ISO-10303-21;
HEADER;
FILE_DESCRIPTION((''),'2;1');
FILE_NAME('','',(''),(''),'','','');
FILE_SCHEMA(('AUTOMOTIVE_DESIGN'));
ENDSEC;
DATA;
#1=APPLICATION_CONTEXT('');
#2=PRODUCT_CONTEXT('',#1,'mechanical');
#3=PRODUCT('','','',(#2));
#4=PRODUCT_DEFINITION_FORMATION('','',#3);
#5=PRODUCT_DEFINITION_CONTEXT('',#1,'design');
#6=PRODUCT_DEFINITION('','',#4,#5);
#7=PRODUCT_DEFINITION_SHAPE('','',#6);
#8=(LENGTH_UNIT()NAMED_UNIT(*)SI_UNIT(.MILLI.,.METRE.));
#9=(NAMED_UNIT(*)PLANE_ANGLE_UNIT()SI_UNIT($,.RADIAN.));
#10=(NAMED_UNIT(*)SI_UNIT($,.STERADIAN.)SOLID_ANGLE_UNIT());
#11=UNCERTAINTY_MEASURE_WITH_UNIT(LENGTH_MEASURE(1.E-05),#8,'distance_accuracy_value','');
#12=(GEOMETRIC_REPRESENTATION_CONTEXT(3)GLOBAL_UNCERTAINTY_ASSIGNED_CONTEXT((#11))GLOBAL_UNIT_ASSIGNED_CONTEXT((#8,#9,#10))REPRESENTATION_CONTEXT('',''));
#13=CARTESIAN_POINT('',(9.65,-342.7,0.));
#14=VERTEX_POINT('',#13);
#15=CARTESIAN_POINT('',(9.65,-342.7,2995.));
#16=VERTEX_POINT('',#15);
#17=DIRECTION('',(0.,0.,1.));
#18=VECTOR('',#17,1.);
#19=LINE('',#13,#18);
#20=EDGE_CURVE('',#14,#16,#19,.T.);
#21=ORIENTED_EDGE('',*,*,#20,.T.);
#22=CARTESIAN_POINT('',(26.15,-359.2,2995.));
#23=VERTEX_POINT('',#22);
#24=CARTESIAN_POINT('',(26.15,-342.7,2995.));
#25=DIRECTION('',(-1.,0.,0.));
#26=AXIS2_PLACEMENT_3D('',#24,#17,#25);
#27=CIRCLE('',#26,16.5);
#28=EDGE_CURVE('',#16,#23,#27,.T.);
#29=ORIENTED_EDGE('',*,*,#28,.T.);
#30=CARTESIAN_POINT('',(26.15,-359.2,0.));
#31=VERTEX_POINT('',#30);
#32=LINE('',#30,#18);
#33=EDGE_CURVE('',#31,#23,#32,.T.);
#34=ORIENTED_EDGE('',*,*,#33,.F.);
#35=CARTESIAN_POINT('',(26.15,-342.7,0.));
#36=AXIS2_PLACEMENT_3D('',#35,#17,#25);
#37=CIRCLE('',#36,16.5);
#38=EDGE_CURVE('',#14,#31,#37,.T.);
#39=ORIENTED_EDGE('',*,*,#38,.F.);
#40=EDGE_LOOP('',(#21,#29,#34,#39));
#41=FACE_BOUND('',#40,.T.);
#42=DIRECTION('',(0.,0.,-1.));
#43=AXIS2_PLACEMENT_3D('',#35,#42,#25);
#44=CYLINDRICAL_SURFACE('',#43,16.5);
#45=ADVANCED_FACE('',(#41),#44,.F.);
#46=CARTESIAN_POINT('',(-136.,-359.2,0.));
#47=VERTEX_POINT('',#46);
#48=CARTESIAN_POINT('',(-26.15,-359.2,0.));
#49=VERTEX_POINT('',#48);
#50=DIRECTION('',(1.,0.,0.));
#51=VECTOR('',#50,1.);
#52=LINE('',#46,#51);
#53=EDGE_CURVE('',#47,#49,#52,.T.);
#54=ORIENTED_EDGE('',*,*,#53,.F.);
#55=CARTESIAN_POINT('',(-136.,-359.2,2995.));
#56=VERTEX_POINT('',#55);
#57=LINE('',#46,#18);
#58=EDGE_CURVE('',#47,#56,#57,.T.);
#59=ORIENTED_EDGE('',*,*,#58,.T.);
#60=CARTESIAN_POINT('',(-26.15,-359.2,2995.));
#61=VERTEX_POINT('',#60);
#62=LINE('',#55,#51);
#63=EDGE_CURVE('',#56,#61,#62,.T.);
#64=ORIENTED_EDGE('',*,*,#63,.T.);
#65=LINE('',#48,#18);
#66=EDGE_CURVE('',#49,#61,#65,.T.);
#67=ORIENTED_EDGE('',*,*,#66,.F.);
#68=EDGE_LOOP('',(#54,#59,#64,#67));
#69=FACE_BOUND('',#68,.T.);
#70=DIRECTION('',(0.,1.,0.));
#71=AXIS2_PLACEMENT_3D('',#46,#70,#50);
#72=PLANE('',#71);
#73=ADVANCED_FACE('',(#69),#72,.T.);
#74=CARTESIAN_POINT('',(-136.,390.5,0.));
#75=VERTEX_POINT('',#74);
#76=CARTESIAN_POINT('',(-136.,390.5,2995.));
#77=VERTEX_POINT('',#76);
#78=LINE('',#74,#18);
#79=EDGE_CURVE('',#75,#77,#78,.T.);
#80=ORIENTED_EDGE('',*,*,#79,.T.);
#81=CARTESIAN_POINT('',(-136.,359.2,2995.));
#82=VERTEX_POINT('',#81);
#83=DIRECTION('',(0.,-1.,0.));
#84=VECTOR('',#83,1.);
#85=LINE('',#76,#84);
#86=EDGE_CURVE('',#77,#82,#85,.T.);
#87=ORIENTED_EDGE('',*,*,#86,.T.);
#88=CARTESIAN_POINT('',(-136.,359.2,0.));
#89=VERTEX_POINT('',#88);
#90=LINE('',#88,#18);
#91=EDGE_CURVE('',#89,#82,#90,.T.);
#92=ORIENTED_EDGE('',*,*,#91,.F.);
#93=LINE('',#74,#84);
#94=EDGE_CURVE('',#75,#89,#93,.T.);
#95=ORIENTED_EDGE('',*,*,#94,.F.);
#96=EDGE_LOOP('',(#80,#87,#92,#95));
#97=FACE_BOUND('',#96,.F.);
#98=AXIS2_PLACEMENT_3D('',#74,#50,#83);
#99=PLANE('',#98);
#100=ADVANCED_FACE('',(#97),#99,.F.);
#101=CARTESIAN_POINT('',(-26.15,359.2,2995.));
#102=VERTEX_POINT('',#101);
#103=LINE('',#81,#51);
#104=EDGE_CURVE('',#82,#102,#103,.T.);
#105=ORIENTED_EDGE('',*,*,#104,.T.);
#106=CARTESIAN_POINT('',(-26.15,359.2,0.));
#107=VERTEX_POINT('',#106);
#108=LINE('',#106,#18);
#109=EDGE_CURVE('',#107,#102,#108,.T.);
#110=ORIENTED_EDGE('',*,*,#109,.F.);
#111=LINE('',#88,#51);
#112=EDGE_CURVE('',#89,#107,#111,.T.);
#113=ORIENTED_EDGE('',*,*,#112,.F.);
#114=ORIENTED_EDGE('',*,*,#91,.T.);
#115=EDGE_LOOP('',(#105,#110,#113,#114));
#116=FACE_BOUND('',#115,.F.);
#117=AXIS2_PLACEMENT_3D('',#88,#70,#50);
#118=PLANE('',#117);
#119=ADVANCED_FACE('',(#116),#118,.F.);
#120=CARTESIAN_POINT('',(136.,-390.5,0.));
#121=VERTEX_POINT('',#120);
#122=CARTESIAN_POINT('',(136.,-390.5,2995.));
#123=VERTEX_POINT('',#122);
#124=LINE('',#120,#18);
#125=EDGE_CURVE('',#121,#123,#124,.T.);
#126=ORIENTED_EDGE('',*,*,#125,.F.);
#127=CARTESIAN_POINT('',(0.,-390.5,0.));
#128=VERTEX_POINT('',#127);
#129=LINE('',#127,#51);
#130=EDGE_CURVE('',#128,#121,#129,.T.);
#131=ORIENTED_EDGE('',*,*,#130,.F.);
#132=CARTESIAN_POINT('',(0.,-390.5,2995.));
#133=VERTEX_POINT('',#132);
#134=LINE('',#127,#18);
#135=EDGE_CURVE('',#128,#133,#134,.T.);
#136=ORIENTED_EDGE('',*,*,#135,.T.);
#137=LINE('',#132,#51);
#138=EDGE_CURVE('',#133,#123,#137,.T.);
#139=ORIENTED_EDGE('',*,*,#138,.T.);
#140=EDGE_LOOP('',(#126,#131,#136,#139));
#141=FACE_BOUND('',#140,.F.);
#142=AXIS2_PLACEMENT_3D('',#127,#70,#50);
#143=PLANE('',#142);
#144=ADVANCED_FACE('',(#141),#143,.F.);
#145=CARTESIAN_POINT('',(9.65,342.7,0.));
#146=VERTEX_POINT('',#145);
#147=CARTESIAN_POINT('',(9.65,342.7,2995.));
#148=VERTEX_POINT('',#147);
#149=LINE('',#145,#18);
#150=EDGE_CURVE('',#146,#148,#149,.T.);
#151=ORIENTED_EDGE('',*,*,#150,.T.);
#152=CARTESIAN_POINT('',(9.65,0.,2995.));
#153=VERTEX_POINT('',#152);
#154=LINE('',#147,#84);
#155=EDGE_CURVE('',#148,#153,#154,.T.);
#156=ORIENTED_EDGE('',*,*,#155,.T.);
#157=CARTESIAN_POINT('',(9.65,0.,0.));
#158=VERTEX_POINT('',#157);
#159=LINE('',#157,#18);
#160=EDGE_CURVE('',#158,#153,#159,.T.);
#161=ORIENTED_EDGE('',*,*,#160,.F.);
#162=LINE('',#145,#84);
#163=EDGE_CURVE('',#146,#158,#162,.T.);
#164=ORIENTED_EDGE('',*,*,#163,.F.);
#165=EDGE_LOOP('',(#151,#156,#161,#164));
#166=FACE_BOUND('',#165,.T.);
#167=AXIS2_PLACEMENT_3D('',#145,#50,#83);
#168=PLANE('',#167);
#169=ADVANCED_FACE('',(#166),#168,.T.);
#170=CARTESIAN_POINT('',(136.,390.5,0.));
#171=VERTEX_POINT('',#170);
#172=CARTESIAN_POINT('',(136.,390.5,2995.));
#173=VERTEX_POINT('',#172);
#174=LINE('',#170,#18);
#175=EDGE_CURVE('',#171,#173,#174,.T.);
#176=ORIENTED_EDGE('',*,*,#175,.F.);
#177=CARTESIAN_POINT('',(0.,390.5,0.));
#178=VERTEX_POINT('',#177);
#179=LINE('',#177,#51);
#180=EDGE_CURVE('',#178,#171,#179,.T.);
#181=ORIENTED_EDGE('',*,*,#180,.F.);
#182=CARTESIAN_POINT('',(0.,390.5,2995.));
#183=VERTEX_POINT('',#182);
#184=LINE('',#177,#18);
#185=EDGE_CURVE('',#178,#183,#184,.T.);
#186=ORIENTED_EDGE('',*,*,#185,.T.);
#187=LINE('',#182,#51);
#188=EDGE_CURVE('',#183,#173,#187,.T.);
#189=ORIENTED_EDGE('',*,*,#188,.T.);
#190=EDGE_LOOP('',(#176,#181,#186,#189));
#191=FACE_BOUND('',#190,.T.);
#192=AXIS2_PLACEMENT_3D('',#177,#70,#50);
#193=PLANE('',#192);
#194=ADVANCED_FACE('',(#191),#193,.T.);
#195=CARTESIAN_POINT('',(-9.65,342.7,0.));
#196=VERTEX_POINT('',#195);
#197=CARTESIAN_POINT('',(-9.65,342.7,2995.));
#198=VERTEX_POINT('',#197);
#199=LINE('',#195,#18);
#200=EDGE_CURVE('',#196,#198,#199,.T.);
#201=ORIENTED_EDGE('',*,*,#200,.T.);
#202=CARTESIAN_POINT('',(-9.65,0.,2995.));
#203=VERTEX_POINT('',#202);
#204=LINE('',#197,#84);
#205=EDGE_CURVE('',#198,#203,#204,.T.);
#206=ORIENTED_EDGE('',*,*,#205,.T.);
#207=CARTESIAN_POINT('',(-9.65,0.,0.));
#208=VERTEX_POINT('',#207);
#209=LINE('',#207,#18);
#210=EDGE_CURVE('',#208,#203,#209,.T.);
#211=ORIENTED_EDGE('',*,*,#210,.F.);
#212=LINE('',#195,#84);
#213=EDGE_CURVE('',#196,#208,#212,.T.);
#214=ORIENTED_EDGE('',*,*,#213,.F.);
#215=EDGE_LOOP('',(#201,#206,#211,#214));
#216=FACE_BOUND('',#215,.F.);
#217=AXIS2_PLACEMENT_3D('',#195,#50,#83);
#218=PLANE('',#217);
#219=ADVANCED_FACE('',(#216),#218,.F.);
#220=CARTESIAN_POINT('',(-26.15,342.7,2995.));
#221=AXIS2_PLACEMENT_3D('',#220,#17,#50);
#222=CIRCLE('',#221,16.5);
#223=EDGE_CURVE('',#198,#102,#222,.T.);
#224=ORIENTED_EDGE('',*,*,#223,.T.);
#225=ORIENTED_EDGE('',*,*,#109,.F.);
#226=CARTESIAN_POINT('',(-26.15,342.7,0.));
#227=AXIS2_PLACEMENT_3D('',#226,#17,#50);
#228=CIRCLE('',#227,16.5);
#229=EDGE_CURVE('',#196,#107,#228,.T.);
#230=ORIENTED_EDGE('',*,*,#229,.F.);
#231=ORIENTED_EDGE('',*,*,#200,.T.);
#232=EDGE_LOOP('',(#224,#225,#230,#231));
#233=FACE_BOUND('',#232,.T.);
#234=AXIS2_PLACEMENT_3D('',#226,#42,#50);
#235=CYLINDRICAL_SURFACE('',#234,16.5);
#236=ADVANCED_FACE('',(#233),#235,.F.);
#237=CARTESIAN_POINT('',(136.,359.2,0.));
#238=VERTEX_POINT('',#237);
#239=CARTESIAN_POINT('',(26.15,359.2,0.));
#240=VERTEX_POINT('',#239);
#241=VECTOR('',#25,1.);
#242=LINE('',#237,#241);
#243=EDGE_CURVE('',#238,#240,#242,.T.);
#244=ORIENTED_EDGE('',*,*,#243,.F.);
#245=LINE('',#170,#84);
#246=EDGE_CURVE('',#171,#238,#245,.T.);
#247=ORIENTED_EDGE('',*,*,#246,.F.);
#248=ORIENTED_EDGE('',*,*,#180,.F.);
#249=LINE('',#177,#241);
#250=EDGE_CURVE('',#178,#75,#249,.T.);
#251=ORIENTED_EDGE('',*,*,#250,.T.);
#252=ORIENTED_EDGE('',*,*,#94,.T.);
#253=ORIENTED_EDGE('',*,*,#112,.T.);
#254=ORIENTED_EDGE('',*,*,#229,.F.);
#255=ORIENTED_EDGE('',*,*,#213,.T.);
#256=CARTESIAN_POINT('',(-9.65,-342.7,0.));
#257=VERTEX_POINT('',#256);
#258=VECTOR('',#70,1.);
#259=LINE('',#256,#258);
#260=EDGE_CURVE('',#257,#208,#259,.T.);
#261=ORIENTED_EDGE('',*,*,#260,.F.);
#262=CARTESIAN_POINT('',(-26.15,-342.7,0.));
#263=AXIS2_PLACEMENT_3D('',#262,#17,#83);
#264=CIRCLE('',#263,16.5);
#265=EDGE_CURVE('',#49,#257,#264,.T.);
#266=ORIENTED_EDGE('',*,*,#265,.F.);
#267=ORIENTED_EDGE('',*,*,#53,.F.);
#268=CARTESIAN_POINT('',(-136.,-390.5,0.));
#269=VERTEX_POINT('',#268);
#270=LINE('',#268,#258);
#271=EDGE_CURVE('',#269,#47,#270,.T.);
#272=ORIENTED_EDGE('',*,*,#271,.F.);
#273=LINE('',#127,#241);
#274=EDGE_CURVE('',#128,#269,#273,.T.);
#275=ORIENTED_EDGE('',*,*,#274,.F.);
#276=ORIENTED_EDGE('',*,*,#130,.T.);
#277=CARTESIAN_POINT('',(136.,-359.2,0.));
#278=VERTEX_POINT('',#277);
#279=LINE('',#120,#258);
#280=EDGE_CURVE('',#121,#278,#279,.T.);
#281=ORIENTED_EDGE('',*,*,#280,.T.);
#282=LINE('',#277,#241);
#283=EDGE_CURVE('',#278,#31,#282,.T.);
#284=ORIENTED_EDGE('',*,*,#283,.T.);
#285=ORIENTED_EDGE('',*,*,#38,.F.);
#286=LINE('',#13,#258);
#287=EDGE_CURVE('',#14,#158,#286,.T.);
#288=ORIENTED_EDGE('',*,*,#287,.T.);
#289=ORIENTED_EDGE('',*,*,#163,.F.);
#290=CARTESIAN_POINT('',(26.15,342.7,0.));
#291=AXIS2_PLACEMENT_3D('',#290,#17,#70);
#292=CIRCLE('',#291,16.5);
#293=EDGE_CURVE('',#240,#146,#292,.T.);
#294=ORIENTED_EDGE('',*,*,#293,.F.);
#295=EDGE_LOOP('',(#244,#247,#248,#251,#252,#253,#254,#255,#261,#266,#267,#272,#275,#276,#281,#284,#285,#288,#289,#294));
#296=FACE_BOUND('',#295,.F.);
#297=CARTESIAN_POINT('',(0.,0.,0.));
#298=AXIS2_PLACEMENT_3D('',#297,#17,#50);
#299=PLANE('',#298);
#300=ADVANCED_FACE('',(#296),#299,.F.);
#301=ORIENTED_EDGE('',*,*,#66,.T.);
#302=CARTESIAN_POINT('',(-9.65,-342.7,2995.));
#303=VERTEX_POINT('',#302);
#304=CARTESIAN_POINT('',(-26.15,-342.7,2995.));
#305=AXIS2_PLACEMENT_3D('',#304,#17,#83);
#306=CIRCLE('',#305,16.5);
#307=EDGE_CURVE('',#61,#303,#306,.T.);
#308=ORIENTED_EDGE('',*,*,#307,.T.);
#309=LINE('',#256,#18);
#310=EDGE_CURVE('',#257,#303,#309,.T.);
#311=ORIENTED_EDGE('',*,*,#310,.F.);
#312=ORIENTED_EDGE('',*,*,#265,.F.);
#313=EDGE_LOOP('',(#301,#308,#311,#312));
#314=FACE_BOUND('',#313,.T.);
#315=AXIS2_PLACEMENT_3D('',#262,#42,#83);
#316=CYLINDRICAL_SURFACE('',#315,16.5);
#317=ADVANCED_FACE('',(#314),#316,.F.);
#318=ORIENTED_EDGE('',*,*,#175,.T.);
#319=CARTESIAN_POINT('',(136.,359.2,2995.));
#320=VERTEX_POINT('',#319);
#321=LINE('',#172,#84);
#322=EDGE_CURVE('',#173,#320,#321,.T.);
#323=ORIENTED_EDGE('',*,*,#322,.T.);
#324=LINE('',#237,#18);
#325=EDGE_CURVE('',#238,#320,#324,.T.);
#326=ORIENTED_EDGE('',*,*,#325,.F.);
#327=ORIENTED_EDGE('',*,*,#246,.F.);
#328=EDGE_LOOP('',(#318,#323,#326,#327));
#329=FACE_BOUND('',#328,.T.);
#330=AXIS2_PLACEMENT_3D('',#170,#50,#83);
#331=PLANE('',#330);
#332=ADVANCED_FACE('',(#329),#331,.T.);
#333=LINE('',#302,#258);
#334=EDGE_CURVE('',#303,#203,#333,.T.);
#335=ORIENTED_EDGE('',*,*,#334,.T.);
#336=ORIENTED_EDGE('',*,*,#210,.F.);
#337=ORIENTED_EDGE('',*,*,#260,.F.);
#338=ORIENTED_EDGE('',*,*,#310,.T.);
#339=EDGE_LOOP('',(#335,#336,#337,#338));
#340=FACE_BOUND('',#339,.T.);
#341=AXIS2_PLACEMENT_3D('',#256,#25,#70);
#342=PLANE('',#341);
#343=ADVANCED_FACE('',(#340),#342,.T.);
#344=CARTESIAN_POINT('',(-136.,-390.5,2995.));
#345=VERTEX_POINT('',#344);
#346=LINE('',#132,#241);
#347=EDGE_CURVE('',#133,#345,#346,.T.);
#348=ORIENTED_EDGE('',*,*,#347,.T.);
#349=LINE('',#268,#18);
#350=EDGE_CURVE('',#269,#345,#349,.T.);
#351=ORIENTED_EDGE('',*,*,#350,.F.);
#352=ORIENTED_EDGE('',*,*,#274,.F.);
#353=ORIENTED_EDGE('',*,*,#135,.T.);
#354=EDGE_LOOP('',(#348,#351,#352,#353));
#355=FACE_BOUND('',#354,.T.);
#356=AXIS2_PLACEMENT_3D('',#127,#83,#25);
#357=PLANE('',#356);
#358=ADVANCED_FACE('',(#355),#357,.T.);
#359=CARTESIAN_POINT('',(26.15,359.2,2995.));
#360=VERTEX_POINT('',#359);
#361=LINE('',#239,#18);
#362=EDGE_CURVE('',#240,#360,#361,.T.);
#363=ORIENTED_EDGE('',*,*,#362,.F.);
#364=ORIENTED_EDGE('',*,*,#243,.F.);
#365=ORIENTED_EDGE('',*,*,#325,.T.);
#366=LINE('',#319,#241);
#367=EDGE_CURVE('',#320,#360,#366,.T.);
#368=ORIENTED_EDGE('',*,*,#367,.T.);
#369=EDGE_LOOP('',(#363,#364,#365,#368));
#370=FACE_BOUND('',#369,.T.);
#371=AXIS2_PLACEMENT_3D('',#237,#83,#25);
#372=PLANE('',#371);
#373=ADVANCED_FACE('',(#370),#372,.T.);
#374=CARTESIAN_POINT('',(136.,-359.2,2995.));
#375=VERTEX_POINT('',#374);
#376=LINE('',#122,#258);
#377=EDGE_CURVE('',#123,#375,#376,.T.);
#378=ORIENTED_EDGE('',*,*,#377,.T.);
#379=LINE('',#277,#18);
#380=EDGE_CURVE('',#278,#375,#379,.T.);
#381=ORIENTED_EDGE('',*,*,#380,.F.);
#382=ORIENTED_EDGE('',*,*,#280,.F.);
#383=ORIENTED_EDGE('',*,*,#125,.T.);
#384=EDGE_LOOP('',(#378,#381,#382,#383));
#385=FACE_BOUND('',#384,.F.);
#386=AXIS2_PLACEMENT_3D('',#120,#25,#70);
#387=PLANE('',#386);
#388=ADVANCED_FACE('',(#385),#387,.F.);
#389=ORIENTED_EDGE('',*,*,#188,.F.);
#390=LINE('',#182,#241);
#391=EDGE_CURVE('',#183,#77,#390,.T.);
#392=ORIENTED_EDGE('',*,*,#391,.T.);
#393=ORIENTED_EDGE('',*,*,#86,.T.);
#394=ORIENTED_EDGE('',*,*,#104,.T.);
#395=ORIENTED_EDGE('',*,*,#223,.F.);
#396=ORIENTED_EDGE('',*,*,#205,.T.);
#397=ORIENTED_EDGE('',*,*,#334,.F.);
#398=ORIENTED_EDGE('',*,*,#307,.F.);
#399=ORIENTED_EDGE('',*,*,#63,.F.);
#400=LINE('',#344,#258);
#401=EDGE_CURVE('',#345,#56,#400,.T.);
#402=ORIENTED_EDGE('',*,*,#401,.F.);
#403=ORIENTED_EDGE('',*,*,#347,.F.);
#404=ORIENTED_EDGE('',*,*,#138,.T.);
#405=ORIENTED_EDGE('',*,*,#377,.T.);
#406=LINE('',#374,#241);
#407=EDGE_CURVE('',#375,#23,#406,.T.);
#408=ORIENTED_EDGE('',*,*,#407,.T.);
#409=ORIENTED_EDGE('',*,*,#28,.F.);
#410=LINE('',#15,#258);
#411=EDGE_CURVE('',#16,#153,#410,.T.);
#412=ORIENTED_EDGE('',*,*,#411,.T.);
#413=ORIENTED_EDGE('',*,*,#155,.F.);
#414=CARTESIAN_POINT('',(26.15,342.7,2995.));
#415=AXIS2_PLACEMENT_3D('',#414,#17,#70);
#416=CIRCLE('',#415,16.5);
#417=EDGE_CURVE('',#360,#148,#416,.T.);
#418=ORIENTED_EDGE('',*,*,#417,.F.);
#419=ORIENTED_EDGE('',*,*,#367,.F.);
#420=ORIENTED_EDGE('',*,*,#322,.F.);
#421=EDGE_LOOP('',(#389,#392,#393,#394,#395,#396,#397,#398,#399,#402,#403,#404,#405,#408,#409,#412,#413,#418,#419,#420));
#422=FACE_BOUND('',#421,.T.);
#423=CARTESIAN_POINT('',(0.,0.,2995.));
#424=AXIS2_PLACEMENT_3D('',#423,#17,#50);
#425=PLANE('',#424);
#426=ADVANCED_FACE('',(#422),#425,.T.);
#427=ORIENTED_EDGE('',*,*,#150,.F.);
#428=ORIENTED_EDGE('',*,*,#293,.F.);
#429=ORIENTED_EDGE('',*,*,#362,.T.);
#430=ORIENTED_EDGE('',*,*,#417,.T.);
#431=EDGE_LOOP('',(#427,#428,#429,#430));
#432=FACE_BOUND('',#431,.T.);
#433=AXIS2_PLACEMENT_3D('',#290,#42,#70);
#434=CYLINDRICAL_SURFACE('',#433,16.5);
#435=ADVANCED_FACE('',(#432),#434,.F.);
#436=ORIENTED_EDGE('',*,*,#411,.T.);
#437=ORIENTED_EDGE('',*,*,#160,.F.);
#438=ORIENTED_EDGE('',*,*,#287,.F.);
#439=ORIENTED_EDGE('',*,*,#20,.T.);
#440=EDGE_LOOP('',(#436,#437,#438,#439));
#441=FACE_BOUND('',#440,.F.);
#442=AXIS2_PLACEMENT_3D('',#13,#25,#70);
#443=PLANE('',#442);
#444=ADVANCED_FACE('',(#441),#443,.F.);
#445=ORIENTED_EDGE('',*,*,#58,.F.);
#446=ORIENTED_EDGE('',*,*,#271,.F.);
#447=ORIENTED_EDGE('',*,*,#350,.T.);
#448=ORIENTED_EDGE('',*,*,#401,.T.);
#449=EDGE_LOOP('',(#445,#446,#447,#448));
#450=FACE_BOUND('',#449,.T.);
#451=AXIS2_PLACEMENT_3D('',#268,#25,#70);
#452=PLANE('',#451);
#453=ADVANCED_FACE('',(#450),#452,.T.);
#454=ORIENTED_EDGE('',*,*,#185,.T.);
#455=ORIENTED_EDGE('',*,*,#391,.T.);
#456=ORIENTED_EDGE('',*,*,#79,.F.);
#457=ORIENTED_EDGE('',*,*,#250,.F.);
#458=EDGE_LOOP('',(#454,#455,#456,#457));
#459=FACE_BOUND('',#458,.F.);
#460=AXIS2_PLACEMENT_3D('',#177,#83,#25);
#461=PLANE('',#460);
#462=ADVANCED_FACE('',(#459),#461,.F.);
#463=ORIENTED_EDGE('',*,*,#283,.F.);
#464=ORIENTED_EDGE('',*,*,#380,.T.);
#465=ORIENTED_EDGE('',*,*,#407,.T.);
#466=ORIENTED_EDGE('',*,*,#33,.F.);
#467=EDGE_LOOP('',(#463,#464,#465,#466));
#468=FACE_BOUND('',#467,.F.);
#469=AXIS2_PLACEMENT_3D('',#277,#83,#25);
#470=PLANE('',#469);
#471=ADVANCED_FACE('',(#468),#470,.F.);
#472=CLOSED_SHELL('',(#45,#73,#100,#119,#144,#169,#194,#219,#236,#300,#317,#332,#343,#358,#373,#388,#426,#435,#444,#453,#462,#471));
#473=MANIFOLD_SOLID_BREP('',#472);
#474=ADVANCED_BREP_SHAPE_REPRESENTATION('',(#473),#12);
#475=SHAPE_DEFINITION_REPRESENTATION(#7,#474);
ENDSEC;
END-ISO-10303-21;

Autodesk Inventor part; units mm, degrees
ref_plane "YZ Plane" through (0, 0, 0) normal (1, 0, 0) x (0, 1, 0)
ref_plane "Start plane" through (0, 0, 0) normal (0, 0, 1) x (1, 0, 0)
ref_plane "End plane" through (0, 0, 2995) normal (0, 0, 1) x (1, 0, 0)
sketch "Sketch" plane through (0, 0, 0) normal (0, 0, 1) x (1, 0, 0)
  line L0 (-136, -390.5) -> (-136, -359.2)
  line L1 (-136, -359.2) -> (-26.15, -359.2)
  line L2 (-9.65, -342.7) -> (-9.65, 0)
  line L3 (-9.65, 0) -> (0, 0) construction
  line L4 (0, 0) -> (0, -390.5) construction
  line L5 (0, -390.5) -> (-136, -390.5)
  line L6 (-60, 0) -> (80, 0) construction
  line L7 (0, -60) -> (0, 80) construction
  line L8 (136, -390.5) -> (136, -359.2)
  line L9 (136, -359.2) -> (26.15, -359.2)
  line L10 (9.65, -342.7) -> (9.65, 0)
  line L11 (9.65, 0) -> (0, 0) construction
  line L12 (0, -390.5) -> (136, -390.5)
  line L13 (-136, 390.5) -> (-136, 359.2)
  line L14 (-136, 359.2) -> (-26.15, 359.2)
  line L15 (-9.65, 342.7) -> (-9.65, 0)
  line L16 (0, 390.5) -> (-136, 390.5)
  line L17 (136, 390.5) -> (136, 359.2)
  line L18 (136, 359.2) -> (26.15, 359.2)
  line L19 (0, 390.5) -> (136, 390.5)
  line L20 (9.65, 342.7) -> (9.65, 0)
  arc A0 (-9.65, 342.7) -> (-26.15, 359.2) centre (-26.15, 342.7) ccw
  arc A1 (26.15, 359.2) -> (9.65, 342.7) centre (26.15, 342.7) ccw
  arc A2 (9.65, -342.7) -> (26.15, -359.2) centre (26.15, -342.7) ccw
  arc A3 (-26.15, -359.2) -> (-9.65, -342.7) centre (-26.15, -342.7) ccw
  line L21 (0, 108) -> (0, -88) construction
  line L22 (-88, 0) -> (108, 0) construction
  point P0 (-9.65, -359.2)
  point P1 (9.65, -359.2)
  point P2 (-9.65, 359.2)
  point P3 (9.65, 359.2)
  dimension "d1" = 390.5
  dimension "d2" = 31.3
  dimension "d3" = 136
  dimension "d4" = 9.65
  dimension "d10" = 16.5
extrude "Body" add sketch "Sketch" along normal up to surface (2995 mm away) from surface at 0
sketch "Sketch4" plane through (0, 0, 0) normal (0, 0, 1) x (1, 0, 0)
  line L0 (0, 0) -> (10, 0)
ref_plane "Work Plane3" through (0, 0, 0) normal (0, -1, 0) x (1, 0, 0)
sketch "Sketch5" plane through (0, 0, 0) normal (0, -1, 0) x (1, 0, 0)
  line L0 (-2, 0) -> (12, 0) projected
  line L1 (-2, 2995) -> (12, 2995) projected
  dimension "d14" = 2995
equation "\"d1\" = 0.5 * G_H"
equation "\"d2\" = G_T1"
equation "\"d3\" = 0.5 * G_W"
equation "\"d4\" = 0.5 * G_T"
equation "\"d10\" = G_IR"
equation "\"d5\" = G_L"
equation "\"G_W\" = 272"
equation "\"G_H\" = 781"
equation "\"G_T\" = 19.3"
equation "\"G_T1\" = 31.3"
equation "\"G_IR\" = 16.5"
equation "\"G_L\" = d14"
equation "\"G_OFFSET_START\" = 0"
equation "\"G_OFFSET_END\" = 0"
equation "\"d12\" = G_OFFSET_END + B_L"
equation "\"B_L\" = 2995"
properties part number "AS 3679-1990 - 760 UB - 244 - 2995" material "Steel, Mild"
